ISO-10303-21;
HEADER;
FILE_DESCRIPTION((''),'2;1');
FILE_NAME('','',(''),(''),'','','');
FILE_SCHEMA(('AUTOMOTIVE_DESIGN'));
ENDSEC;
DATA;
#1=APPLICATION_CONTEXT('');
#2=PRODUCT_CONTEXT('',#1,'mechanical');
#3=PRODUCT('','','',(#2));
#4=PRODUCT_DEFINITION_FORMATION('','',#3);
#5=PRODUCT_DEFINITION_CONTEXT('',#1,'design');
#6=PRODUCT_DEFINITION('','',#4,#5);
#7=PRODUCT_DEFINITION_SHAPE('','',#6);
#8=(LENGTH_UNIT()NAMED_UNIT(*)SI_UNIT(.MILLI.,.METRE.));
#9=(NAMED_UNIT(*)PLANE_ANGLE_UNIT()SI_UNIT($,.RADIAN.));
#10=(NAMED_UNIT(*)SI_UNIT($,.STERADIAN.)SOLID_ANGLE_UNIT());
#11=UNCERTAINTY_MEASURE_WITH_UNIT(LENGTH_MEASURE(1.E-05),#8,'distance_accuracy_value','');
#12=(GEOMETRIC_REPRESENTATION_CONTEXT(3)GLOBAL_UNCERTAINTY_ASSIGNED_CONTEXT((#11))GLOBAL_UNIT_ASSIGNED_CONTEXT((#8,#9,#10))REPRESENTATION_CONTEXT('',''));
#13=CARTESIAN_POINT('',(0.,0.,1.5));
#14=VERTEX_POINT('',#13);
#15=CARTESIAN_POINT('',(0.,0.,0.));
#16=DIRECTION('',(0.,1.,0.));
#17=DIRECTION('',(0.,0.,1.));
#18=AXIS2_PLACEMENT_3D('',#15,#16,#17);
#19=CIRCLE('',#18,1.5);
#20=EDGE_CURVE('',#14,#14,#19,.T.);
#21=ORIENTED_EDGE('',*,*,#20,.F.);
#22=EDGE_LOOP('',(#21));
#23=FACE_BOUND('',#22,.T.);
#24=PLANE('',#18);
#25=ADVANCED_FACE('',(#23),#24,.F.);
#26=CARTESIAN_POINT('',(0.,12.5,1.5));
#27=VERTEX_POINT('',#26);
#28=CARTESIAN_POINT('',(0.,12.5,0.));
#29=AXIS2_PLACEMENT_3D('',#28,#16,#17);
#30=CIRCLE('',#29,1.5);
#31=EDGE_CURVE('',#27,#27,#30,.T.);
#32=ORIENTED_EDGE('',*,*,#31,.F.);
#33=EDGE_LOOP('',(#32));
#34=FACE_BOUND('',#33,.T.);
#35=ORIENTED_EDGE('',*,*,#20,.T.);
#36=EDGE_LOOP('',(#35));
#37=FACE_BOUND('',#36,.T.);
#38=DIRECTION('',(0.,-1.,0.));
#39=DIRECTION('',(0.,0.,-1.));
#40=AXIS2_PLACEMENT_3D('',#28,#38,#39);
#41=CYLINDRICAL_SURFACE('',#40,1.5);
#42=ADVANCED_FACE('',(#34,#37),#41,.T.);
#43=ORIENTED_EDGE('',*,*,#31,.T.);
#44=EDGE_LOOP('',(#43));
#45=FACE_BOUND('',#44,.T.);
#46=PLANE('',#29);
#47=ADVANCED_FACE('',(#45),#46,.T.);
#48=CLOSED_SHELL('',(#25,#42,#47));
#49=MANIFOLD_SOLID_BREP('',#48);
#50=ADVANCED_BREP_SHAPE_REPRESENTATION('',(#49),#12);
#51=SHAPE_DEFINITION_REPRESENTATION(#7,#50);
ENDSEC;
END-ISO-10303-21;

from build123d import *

# Parameters (mm, degrees)
SKETCH1_R           = 1.5
BOSS_EXTRUDE1_DEPTH = 12.5


with BuildPart() as part:
    # Sketch1 → Boss-Extrude1 (new body)
    with BuildSketch(Plane(origin=(0, 0, 0), x_dir=(1, 0, 0), z_dir=(0, 1, 0))):
        Circle(SKETCH1_R)
    extrude(amount=BOSS_EXTRUDE1_DEPTH)


solid = part.part
